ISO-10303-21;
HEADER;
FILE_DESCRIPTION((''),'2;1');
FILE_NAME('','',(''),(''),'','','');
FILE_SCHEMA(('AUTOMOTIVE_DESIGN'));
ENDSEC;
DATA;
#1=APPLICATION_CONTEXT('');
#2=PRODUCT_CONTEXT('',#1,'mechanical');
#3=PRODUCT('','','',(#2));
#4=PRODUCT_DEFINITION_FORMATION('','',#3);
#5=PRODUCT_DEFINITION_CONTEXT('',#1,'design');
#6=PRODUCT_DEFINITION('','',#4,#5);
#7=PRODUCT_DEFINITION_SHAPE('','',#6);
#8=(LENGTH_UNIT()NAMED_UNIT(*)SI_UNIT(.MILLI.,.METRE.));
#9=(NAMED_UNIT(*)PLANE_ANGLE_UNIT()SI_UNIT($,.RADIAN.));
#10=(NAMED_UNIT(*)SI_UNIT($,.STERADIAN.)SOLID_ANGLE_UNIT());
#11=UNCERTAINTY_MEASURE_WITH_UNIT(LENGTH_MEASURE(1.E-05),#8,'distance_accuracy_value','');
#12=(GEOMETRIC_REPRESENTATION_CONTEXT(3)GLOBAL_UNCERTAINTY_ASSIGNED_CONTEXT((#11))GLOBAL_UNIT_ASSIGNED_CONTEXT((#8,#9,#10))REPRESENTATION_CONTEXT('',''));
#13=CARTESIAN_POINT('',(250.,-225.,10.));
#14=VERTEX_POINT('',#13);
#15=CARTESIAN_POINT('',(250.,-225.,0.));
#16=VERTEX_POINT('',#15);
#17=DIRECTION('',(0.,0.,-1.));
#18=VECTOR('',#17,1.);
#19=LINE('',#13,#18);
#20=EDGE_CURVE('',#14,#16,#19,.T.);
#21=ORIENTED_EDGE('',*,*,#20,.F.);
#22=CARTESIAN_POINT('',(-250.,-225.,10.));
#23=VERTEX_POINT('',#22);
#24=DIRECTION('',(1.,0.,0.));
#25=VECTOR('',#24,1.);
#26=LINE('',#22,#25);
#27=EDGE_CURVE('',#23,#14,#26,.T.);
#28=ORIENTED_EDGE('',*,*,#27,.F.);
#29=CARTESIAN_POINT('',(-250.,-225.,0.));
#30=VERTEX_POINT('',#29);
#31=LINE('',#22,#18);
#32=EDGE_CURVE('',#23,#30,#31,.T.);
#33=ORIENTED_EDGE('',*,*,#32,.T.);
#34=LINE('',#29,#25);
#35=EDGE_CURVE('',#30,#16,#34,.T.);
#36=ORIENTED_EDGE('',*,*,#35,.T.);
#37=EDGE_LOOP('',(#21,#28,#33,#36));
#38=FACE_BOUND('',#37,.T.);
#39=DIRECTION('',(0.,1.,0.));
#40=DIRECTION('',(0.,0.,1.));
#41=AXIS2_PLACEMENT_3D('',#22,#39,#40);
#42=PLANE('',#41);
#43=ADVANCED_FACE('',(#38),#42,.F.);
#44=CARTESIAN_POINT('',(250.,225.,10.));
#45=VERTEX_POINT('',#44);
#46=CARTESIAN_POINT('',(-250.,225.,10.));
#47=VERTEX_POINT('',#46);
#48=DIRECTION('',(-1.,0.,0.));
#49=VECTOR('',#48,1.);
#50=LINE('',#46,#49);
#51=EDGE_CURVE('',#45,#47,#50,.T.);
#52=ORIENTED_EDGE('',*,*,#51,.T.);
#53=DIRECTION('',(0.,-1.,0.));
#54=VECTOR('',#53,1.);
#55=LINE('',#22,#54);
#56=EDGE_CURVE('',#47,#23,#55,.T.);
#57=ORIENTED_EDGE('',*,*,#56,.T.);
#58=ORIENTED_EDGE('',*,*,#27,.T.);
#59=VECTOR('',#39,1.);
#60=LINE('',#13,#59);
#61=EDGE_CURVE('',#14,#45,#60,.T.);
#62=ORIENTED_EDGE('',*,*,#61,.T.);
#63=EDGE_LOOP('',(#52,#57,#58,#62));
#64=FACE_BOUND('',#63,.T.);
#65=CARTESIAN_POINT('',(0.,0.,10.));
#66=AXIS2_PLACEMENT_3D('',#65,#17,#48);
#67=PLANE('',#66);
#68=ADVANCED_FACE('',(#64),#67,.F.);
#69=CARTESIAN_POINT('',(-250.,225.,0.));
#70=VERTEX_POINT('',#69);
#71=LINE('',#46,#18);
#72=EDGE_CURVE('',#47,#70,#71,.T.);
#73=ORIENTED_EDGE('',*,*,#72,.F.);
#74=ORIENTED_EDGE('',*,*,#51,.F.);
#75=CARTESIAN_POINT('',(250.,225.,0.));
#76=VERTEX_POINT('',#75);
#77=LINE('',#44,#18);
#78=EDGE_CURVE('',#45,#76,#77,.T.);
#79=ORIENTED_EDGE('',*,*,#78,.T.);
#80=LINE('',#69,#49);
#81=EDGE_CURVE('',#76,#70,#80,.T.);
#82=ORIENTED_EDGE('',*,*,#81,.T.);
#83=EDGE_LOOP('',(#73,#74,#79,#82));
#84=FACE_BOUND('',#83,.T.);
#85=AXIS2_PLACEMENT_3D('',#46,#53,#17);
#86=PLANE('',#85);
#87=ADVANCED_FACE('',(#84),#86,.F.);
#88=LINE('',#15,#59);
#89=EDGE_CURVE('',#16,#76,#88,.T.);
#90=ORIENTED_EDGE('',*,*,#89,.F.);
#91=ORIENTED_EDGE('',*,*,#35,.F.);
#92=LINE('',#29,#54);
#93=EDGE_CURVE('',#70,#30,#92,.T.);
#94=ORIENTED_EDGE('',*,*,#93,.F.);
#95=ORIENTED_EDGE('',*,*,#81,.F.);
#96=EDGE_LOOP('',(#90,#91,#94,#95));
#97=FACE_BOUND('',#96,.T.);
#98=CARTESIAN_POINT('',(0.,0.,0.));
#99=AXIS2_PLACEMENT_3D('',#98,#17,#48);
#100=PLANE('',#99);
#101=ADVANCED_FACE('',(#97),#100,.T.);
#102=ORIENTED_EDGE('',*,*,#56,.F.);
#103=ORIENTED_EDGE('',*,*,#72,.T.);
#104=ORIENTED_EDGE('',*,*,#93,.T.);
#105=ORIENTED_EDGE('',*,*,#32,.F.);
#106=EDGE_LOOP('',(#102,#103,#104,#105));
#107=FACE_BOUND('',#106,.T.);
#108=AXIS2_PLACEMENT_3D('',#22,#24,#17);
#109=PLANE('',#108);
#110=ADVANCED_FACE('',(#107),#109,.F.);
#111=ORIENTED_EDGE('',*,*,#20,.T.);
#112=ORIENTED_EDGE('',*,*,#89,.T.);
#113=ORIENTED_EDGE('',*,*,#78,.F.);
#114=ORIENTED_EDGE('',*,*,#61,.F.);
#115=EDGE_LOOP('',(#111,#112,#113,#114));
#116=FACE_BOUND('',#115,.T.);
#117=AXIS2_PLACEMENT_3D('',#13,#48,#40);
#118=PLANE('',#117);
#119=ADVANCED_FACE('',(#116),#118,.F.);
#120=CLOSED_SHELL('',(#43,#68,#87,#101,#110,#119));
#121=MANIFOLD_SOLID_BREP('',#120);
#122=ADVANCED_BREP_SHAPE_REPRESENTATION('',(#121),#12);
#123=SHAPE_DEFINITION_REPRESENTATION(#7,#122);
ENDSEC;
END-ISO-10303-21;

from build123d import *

# Parameters (mm, degrees)
SKETCH1_W           = 500
SKETCH1_H           = 450
BOSS_EXTRUDE1_DEPTH = 10


with BuildPart() as part:
    # Sketch1 → Boss-Extrude1 (new body)
    with BuildSketch(Plane.XY):
        Rectangle(SKETCH1_W, SKETCH1_H)
    extrude(amount=BOSS_EXTRUDE1_DEPTH)


solid = part.part
